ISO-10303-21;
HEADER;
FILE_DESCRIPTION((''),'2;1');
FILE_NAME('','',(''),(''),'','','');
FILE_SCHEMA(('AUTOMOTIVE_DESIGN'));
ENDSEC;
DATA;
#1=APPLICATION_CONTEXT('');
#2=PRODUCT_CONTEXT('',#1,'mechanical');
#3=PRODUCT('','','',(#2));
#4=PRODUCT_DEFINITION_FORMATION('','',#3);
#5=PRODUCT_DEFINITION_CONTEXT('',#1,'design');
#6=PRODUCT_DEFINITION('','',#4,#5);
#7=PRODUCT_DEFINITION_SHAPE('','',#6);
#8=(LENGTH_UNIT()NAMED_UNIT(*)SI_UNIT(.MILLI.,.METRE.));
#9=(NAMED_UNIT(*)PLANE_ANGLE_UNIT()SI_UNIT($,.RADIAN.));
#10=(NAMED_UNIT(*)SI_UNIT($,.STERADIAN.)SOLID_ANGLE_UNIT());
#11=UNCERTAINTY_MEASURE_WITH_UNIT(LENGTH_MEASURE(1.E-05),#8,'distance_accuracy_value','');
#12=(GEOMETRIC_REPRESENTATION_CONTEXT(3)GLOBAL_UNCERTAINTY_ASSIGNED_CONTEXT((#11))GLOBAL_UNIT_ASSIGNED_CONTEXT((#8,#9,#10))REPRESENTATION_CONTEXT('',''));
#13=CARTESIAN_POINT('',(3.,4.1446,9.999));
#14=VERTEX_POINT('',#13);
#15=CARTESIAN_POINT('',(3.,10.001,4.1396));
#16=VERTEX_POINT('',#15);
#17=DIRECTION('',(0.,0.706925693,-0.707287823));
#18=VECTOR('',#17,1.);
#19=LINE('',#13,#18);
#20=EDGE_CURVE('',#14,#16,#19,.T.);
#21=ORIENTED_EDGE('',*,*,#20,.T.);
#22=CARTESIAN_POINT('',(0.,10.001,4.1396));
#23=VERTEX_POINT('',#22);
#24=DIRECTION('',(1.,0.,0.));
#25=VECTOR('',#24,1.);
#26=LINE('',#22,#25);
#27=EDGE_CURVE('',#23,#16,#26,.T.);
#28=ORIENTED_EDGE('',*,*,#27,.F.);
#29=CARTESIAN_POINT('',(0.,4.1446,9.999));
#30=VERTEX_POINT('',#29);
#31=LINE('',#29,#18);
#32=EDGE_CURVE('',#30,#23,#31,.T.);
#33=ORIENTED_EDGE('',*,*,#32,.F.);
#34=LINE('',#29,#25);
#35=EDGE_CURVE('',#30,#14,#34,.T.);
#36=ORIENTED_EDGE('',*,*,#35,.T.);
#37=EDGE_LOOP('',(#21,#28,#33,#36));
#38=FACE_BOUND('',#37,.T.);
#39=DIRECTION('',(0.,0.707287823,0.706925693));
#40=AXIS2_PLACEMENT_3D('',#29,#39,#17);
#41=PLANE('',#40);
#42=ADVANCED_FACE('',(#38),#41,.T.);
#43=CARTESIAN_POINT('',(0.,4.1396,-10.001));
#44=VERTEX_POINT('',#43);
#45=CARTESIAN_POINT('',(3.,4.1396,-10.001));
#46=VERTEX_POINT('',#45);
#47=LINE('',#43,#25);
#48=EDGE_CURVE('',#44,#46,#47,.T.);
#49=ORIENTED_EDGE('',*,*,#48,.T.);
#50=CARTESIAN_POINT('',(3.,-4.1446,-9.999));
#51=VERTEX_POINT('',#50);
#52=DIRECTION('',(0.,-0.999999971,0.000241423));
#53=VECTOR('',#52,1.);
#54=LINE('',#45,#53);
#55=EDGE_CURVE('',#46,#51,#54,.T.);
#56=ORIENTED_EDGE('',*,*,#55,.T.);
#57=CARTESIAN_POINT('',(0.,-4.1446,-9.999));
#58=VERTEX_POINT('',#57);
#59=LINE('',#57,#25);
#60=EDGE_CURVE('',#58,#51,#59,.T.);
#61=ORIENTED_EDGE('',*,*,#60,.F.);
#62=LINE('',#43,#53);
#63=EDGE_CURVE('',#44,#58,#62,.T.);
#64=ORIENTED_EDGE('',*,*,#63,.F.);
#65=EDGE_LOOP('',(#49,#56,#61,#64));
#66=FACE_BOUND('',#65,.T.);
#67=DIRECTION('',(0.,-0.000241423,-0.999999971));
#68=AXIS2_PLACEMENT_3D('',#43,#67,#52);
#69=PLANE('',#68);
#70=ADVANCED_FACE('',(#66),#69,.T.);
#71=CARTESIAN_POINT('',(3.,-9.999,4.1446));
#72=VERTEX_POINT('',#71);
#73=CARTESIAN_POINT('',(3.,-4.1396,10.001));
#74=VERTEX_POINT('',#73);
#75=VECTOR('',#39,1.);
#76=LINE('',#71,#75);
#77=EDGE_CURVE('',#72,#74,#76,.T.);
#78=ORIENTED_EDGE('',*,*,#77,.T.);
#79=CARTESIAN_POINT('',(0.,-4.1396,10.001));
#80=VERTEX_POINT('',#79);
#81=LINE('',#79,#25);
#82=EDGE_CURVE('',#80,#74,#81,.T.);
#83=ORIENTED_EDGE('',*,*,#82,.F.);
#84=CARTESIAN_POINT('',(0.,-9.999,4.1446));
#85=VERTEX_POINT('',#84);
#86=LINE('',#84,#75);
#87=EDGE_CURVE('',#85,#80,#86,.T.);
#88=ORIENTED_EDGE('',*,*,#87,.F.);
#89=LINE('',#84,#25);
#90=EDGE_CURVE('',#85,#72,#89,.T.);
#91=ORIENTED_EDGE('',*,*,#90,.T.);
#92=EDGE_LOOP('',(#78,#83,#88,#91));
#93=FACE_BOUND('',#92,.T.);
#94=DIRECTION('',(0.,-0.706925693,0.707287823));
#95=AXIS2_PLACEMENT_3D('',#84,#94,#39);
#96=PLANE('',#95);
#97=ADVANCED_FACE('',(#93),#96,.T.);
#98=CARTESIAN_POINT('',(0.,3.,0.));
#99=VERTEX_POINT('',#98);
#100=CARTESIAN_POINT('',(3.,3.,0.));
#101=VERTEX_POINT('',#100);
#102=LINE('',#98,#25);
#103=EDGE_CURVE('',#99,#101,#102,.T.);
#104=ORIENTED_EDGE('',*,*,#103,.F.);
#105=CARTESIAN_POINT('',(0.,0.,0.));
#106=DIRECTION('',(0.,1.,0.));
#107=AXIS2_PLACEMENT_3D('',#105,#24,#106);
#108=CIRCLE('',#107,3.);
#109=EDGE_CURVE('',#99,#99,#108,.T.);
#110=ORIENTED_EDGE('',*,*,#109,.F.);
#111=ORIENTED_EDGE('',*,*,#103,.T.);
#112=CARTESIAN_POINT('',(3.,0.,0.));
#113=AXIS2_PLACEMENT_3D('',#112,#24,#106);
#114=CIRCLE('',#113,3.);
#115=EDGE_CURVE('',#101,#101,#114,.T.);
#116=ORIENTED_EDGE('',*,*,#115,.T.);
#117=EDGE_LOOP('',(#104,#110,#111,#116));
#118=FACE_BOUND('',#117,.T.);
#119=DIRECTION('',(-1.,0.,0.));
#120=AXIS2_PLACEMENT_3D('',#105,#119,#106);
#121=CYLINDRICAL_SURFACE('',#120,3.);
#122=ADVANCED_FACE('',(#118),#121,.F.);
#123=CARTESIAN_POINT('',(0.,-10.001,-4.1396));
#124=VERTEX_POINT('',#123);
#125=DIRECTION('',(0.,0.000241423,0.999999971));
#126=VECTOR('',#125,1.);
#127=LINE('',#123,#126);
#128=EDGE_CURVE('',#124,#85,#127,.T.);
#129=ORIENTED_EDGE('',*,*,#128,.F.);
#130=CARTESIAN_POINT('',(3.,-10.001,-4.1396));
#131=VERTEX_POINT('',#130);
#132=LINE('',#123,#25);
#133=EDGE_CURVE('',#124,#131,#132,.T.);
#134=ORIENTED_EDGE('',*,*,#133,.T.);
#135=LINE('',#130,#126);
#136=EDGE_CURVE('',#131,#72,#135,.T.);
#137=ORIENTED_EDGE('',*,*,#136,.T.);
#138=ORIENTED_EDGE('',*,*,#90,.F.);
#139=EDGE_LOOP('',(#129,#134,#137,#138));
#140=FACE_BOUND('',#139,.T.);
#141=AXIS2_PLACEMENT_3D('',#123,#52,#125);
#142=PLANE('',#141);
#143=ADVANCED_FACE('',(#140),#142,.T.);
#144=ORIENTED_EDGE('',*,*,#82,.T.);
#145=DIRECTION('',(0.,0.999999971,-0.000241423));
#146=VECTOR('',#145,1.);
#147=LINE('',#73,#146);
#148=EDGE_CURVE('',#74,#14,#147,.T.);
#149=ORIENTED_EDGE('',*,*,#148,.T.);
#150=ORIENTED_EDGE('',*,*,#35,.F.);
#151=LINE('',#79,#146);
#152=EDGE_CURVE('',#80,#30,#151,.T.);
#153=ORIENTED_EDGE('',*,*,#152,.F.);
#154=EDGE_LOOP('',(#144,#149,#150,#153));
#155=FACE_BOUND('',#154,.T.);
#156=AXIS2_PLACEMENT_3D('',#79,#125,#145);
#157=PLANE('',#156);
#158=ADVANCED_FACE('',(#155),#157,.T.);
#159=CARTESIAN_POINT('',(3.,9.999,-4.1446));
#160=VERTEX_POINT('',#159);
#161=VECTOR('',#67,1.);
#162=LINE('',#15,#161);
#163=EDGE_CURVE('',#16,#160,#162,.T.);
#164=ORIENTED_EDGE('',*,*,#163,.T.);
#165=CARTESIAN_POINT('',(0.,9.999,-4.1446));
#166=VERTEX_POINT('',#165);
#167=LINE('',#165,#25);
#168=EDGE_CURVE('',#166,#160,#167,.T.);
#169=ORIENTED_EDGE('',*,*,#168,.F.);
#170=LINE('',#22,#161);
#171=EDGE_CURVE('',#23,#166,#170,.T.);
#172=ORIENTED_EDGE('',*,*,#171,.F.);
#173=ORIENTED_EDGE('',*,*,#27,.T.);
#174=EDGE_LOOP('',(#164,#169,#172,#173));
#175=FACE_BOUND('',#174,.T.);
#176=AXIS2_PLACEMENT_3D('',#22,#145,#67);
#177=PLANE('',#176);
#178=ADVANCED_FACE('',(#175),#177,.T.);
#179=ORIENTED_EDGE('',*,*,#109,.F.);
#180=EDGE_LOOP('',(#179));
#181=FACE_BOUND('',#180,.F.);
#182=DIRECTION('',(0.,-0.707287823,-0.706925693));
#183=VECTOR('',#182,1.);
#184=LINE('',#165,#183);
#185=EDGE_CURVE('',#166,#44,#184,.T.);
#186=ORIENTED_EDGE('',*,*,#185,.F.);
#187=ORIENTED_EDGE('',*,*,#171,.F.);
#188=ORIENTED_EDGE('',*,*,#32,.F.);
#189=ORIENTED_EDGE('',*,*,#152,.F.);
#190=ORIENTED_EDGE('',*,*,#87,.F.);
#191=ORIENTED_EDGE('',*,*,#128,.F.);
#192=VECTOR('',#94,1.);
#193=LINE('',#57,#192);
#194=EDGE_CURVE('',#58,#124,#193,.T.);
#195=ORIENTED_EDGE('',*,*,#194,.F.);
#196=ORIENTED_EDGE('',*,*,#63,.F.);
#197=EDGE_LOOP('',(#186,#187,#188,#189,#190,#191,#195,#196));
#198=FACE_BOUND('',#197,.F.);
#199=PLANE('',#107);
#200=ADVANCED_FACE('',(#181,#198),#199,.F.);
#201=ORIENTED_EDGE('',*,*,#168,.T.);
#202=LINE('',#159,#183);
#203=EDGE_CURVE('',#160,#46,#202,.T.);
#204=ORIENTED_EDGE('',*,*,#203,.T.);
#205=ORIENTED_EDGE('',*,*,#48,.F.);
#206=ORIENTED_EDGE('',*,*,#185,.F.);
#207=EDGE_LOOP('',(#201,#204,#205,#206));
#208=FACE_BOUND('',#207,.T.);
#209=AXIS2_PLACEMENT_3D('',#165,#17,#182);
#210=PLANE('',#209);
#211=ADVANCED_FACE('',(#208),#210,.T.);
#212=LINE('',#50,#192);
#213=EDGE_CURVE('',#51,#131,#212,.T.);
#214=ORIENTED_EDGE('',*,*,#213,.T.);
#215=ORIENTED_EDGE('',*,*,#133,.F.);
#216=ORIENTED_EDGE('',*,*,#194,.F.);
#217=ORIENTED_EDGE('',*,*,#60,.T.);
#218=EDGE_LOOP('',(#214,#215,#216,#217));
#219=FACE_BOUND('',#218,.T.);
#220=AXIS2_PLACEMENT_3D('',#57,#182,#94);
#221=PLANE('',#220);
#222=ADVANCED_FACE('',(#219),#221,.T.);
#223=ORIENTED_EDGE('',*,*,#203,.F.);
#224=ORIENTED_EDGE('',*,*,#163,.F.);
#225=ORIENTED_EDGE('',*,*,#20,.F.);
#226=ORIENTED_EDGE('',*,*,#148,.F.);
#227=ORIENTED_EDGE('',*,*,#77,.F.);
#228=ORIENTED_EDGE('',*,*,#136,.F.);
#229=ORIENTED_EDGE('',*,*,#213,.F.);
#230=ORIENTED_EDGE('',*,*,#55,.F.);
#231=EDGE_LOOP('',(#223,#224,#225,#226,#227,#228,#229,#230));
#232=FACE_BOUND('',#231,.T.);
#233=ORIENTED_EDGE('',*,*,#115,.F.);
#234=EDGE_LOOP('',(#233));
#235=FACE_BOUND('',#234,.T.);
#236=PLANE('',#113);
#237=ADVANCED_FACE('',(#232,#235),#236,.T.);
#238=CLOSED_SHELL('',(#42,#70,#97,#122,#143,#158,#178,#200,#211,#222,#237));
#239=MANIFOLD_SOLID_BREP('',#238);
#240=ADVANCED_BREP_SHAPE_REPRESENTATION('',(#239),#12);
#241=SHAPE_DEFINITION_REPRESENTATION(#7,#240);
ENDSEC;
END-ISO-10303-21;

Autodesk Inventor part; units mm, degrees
ref_plane "YZ Plane" through (0, 0, 0) normal (1, 0, 0) x (0, 1, 0)
ref_plane "XZ Plane" through (0, 0, 0) normal (0, 1, 0) x (-1, 0, 0)
ref_plane "XY Plane" through (0, 0, 0) normal (0, 0, 1) x (1, 0, 0)
sketch "Sketch1" plane through (0, 0, 0) normal (1, 0, 0) x (0, 1, 0)
  line L0 (-4.1396, 10.001) -> (4.1446, 9.999)
  line L1 (4.1446, 9.999) -> (10.001, 4.1396)
  line L2 (10.001, 4.1396) -> (9.999, -4.1446)
  line L3 (9.999, -4.1446) -> (4.1396, -10.001)
  line L4 (4.1396, -10.001) -> (-4.1446, -9.999)
  line L5 (-4.1446, -9.999) -> (-10.001, -4.1396)
  line L6 (-10.001, -4.1396) -> (-9.999, 4.1446)
  line L7 (-9.999, 4.1446) -> (-4.1396, 10.001)
  circle A0 centre (0, 0) radius 3
  dimension "d0" = 10
  dimension "d1" = 6
extrude "Extrusion1" add sketch "Sketch1" along normal blind 3
properties part number "Nuy"
